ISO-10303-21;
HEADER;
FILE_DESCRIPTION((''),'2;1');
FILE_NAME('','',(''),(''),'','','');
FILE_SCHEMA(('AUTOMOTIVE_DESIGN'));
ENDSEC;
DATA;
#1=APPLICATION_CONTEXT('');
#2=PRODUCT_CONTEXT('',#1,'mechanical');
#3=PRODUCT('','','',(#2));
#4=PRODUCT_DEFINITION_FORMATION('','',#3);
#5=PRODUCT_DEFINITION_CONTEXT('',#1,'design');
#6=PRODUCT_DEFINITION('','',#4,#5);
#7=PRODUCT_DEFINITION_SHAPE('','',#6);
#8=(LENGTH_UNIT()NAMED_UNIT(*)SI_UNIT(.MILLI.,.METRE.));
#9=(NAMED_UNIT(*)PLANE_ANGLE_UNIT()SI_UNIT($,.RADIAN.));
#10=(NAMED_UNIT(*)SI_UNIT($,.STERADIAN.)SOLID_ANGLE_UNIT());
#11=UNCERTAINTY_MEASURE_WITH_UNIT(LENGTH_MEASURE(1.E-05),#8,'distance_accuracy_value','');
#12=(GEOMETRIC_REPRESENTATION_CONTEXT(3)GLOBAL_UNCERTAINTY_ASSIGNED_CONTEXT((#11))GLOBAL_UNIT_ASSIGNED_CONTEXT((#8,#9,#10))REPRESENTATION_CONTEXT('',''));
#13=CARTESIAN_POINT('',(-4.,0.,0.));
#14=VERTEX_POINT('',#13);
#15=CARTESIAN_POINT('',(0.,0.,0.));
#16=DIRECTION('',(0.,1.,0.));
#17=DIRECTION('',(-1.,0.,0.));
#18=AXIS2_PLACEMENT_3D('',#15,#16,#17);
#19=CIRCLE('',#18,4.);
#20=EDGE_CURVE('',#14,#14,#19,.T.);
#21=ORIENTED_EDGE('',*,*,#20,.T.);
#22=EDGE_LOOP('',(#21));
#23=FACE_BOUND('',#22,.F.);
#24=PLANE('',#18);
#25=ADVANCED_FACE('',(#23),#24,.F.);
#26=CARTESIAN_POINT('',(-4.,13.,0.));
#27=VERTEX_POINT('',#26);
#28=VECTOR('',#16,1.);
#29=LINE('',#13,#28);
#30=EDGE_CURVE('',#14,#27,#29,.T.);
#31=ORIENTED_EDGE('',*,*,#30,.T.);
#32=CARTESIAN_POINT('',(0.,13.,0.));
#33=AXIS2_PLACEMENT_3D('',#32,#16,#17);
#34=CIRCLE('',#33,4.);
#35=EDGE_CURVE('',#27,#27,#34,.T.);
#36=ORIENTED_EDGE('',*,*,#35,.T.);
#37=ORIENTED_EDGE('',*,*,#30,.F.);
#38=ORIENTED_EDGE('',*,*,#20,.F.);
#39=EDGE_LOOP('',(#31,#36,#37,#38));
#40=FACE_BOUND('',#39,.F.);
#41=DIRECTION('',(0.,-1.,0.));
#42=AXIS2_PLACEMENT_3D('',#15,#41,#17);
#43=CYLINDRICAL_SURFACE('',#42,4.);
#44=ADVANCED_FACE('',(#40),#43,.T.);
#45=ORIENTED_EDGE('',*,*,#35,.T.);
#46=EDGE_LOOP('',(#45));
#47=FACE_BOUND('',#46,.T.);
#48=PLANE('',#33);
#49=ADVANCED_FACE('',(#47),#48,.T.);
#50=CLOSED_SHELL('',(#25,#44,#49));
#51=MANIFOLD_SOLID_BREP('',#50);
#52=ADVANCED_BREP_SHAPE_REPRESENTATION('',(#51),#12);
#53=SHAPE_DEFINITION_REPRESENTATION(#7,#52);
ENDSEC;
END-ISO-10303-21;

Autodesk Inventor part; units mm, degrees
ref_plane "YZ Plane" through (0, 0, 0) normal (1, 0, 0) x (0, 1, 0)
ref_plane "XZ Plane" through (0, 0, 0) normal (0, 1, 0) x (-1, 0, 0)
ref_plane "XY Plane" through (0, 0, 0) normal (0, 0, 1) x (1, 0, 0)
sketch "Sketch1" plane through (0, 0, 0) normal (0, 1, 0) x (-1, 0, 0)
  circle A0 centre (0, 0) radius 4
  dimension "d0" = 8
extrude "Extrusion1" add sketch "Sketch1" along normal blind 13
properties part number "xy_joint_x_rod_extend"
